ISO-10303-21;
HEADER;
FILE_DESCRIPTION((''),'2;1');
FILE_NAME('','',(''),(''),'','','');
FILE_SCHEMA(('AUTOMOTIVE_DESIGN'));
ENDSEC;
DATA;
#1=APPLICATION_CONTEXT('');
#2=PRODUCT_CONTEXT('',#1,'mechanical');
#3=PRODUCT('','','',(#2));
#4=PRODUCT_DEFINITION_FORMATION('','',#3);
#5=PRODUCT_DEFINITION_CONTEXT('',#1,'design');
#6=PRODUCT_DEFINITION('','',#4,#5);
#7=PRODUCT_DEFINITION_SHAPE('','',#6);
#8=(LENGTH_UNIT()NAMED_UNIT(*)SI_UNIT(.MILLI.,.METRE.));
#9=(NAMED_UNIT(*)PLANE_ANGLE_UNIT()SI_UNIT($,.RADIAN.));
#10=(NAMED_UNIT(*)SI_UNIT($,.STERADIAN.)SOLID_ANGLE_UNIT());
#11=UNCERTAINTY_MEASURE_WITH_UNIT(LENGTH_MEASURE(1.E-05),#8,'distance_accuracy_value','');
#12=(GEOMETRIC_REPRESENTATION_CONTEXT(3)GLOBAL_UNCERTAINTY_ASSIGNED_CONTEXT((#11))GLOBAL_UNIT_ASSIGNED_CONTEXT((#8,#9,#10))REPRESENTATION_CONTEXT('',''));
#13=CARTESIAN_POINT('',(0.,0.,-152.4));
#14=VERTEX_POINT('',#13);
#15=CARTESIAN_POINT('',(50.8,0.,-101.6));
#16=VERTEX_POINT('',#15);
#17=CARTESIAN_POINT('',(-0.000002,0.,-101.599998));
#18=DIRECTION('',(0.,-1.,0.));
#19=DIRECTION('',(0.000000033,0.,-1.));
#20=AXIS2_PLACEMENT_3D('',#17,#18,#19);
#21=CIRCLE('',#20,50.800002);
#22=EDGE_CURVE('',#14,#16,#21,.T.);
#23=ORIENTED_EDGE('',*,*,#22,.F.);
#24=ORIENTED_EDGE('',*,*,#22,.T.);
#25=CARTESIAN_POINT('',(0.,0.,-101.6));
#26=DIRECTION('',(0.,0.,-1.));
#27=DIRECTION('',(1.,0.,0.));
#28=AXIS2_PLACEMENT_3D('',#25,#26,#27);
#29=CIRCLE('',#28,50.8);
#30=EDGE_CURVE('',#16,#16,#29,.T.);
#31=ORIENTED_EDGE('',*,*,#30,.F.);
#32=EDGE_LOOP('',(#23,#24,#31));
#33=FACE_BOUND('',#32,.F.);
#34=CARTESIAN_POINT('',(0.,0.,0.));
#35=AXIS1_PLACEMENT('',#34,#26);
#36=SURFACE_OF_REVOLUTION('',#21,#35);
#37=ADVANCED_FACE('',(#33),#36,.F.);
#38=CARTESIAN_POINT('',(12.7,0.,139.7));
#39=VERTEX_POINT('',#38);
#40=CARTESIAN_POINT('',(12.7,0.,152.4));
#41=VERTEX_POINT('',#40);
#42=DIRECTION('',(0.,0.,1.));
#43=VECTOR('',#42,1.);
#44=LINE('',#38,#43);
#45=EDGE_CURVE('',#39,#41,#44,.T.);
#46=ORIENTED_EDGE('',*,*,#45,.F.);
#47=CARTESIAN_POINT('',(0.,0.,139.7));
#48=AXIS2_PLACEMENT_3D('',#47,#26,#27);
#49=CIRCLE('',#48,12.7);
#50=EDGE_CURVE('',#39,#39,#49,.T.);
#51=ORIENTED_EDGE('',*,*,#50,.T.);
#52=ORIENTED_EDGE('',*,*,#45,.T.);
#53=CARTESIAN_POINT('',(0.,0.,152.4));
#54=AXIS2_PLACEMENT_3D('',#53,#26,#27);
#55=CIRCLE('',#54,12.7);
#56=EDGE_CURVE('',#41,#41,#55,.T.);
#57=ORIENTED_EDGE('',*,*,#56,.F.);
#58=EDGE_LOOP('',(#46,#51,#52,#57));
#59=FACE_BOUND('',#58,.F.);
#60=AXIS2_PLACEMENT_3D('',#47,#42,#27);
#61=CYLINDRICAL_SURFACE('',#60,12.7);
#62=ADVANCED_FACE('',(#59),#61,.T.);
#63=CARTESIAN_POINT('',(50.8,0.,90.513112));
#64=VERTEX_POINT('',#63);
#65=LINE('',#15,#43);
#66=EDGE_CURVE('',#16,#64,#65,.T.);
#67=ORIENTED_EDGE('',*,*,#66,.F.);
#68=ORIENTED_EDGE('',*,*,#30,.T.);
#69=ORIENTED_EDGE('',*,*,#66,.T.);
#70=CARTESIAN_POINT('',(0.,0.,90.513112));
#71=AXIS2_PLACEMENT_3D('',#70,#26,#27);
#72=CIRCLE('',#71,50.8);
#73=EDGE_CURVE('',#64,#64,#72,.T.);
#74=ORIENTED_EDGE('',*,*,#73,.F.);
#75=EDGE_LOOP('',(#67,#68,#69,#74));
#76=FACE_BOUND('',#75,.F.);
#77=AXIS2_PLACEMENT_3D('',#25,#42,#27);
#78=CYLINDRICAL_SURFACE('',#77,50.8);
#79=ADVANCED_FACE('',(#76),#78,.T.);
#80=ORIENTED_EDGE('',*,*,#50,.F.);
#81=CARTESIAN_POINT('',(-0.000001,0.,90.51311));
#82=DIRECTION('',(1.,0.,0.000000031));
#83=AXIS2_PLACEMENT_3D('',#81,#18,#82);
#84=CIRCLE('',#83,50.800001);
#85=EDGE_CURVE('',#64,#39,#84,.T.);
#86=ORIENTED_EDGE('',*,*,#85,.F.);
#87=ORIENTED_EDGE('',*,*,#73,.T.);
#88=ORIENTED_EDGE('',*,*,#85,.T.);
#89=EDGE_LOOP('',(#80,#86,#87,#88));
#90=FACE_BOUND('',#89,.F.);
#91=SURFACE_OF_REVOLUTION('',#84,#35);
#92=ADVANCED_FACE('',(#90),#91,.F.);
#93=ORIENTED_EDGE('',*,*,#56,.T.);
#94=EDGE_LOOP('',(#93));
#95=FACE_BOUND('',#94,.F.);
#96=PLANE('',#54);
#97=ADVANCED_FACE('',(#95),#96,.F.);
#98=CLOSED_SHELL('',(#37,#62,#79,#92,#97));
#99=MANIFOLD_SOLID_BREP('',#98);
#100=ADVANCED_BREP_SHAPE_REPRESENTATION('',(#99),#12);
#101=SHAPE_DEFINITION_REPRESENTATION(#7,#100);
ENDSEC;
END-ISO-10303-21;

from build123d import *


with BuildPart() as f1:
    # F0 (on Front) → F1 (revolve)
    with BuildSketch(Plane.XZ):
        with BuildLine():
            Line((12.7, 152.4), (0, 152.4))
            Line((0, 152.4), (0, -152.4))
            ThreePointArc((0, -152.4), (35.921024, -137.521024), (50.8, -101.6))
            Line((50.8, -101.6), (50.8, 90.513112))
            ThreePointArc((50.8, 90.513112), (40.160926, 121.621631), (12.7, 139.7))
            Line((12.7, 139.7), (12.7, 152.4))
        make_face()
    revolve(axis=Axis((0, 0, 0), (0, 0, -1)))


solid = f1.part
